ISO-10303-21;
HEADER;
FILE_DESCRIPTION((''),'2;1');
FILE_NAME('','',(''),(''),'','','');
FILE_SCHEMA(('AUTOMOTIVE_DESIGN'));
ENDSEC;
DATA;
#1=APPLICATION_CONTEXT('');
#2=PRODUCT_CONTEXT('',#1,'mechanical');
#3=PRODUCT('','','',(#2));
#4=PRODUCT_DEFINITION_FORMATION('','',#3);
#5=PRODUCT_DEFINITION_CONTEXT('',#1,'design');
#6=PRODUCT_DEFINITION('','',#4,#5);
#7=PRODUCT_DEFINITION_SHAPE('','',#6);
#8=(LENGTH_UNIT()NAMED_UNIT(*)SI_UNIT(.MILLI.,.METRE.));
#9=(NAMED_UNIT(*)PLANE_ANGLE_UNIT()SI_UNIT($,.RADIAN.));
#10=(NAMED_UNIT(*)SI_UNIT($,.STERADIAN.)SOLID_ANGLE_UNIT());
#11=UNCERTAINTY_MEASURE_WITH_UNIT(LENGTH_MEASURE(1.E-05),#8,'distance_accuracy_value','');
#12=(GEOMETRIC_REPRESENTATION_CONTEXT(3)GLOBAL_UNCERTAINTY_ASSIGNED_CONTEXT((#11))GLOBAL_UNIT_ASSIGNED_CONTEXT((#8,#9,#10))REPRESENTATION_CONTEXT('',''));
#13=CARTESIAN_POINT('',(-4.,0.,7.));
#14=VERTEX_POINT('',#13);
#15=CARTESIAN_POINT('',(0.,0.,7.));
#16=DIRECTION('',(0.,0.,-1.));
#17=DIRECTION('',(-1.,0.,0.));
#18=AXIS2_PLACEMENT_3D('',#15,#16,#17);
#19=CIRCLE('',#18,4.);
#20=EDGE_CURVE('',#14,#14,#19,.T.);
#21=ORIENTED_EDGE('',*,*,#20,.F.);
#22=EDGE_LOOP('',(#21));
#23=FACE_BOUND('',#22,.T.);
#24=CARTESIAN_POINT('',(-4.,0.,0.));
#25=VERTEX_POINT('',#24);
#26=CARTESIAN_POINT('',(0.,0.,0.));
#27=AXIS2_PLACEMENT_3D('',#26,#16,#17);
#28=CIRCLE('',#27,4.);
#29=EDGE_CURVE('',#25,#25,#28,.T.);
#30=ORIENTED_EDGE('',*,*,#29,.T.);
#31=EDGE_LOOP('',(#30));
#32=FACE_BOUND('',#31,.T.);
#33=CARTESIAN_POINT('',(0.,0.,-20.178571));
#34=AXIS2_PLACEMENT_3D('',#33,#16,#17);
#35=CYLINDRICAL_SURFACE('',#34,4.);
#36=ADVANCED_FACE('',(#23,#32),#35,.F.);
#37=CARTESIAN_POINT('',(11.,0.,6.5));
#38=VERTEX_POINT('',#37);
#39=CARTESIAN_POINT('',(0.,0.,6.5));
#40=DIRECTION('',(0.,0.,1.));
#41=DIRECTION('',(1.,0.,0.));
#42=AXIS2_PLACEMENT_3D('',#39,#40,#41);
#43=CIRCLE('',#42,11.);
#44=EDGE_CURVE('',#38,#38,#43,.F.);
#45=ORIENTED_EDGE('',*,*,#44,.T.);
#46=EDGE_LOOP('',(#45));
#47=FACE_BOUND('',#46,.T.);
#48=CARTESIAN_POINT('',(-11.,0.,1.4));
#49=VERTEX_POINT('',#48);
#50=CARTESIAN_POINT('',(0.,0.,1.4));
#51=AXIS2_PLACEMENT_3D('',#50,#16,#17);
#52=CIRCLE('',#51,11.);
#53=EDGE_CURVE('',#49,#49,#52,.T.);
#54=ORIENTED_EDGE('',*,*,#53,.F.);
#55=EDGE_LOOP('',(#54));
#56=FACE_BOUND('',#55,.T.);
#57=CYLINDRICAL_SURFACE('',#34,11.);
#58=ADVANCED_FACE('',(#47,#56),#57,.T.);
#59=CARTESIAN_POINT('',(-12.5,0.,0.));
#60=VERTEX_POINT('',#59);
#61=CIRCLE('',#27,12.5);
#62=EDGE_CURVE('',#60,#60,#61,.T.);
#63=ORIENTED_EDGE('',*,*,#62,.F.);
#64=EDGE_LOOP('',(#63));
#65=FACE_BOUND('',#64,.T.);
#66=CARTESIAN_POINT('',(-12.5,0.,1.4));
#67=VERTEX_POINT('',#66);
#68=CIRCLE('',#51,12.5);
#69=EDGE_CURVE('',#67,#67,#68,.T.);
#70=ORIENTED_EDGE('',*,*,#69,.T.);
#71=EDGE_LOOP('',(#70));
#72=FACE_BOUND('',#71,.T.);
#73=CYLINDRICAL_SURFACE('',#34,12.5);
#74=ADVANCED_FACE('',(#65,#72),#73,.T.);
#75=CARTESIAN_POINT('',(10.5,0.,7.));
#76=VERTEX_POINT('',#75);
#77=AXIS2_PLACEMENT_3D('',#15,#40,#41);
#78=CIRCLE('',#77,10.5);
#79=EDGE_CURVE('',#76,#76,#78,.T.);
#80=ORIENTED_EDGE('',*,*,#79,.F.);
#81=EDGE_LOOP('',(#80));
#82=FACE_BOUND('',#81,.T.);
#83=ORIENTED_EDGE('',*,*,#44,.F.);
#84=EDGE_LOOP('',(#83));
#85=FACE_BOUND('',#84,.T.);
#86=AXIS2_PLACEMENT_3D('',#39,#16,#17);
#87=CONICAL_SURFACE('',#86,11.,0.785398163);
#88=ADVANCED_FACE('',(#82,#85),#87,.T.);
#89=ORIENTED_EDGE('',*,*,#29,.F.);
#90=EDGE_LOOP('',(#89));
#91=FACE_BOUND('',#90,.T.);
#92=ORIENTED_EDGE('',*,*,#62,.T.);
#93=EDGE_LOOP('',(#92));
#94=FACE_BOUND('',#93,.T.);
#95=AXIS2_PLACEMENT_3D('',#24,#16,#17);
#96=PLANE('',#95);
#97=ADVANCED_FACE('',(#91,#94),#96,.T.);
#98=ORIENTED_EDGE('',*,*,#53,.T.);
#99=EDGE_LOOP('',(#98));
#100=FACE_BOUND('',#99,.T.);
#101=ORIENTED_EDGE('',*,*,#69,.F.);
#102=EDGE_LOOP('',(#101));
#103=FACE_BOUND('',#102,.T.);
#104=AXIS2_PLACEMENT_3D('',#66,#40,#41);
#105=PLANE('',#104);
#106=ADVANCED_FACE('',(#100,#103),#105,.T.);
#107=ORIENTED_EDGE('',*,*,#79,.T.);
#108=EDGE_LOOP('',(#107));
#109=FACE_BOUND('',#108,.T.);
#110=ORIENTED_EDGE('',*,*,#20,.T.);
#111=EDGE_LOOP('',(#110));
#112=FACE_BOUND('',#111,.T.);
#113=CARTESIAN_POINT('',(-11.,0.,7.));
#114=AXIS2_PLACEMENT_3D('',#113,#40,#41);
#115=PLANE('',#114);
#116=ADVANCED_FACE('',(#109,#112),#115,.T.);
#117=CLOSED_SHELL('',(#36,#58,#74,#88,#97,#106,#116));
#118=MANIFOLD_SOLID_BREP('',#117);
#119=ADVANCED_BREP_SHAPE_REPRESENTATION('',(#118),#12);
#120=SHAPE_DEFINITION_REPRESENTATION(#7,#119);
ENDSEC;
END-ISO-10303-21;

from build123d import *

# Parameters (mm, degrees)
CHAMFER1_SIZE = 0.5


with BuildPart() as part:
    # Sketch1 → Revolve1 (revolve)
    with BuildSketch(Plane(origin=(0, 0, 0), x_dir=(1, 0, 0), z_dir=(0, 1, 0))):
        Polygon((-12.5, 0), (-12.5, -1.4), (-11, -1.4), (-11, -7), (-4, -7), (-4, 0), align=None)
    revolve(axis=Axis((0, 0, -20.178571429), (0, 0, 1)))

    # Chamfer1
    chamfer1_edges = [part.edges().sort_by_distance(p)[0] for p in [
        (11, 0, 7),
    ]]
    chamfer(chamfer1_edges, length=CHAMFER1_SIZE)


solid = part.part
